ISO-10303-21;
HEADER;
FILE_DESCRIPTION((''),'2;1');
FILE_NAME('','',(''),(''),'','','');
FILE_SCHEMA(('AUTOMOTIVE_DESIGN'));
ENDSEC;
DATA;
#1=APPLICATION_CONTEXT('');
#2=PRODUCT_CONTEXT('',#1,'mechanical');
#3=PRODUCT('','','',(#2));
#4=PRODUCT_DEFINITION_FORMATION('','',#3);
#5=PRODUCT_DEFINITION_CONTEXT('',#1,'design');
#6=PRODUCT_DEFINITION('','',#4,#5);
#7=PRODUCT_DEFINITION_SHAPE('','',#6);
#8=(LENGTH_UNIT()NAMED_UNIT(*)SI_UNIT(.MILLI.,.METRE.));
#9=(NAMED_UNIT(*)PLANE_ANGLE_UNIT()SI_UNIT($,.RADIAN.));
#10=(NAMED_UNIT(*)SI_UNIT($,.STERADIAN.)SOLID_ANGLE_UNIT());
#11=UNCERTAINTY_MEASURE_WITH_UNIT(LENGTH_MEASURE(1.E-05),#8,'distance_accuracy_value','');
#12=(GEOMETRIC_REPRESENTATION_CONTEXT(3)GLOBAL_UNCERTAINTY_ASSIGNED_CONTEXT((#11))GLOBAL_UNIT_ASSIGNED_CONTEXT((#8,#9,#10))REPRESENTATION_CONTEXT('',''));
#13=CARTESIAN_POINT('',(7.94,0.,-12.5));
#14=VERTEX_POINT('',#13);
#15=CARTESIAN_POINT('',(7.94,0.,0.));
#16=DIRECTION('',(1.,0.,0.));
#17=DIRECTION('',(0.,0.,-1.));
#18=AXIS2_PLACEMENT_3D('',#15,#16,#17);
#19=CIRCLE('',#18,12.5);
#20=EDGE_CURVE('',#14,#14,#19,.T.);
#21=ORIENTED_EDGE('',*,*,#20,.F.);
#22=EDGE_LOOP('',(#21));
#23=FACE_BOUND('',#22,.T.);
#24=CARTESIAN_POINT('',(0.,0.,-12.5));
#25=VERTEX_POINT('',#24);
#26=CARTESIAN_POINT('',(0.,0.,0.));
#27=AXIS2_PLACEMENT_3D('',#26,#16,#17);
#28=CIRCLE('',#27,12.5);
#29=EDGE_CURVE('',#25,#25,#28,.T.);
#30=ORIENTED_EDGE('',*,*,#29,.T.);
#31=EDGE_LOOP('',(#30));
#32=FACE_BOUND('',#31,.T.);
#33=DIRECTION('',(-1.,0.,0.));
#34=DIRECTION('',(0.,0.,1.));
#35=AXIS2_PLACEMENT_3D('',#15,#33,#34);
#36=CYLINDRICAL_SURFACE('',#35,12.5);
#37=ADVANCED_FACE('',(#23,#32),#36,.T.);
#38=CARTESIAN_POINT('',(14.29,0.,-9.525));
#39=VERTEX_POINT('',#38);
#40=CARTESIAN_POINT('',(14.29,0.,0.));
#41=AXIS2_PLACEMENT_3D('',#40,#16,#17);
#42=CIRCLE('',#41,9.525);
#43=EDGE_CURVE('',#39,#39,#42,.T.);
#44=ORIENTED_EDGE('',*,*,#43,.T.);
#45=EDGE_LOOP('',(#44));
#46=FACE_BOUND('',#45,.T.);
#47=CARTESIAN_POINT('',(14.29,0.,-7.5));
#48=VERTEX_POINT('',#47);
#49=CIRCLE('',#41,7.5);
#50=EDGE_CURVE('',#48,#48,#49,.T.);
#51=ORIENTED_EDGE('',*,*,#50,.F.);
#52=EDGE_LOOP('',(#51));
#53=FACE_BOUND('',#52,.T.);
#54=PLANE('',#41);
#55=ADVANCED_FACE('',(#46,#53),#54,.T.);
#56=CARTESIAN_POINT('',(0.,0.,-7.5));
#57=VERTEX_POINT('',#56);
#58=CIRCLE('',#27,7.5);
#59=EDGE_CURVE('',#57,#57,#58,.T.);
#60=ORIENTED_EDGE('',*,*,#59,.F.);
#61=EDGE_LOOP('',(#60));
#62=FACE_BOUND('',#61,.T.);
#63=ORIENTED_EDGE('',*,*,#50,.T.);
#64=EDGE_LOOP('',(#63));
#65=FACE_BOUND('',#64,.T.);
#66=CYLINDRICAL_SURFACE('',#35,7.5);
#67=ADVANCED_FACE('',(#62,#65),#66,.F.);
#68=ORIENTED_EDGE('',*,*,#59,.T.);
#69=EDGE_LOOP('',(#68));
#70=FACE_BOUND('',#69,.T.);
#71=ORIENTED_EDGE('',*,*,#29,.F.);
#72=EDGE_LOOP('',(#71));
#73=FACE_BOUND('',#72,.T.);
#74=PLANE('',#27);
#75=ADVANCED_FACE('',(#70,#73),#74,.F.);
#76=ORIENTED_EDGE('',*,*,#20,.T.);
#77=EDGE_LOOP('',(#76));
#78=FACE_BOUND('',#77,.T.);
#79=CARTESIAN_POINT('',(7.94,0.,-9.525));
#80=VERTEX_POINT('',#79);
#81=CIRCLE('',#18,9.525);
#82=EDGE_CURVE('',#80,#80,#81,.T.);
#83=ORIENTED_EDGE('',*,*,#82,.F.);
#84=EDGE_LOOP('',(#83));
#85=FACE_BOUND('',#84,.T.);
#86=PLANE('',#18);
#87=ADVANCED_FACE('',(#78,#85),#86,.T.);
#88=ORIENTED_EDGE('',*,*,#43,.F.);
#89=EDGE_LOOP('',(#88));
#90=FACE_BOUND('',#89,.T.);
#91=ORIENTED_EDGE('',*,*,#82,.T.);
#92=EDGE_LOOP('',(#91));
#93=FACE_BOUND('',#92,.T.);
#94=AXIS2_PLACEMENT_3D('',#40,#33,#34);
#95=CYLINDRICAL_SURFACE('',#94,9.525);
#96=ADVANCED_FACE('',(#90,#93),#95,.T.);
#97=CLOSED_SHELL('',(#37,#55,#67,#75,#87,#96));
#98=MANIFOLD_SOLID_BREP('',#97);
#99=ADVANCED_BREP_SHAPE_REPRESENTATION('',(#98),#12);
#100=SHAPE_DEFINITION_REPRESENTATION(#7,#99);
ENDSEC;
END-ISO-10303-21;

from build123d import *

# Parameters (mm, degrees)
SKETCH1_R           = 12.5
SKETCH1_R_2         = 7.5
BOSS_EXTRUDE1_DEPTH = 7.94
SKETCH2_R           = 9.525
SKETCH2_R_2         = 7.5
BOSS_EXTRUDE2_DEPTH = 6.35


with BuildPart() as part:
    # Sketch1 → Boss-Extrude1 (new body)
    with BuildSketch(Plane(origin=(0, 0, 0), x_dir=(0, 0, -1), z_dir=(1, 0, 0))):
        Circle(SKETCH1_R)
        Circle(SKETCH1_R_2, mode=Mode.SUBTRACT)
    extrude(amount=BOSS_EXTRUDE1_DEPTH)

    # Sketch2 → Boss-Extrude2 (add)
    with BuildSketch(Plane(origin=(7.94, 0, 0), x_dir=(0, 0, -1), z_dir=(1, 0, 0))):
        Circle(SKETCH2_R)
        Circle(SKETCH2_R_2, mode=Mode.SUBTRACT)
    extrude(amount=BOSS_EXTRUDE2_DEPTH)


solid = part.part
